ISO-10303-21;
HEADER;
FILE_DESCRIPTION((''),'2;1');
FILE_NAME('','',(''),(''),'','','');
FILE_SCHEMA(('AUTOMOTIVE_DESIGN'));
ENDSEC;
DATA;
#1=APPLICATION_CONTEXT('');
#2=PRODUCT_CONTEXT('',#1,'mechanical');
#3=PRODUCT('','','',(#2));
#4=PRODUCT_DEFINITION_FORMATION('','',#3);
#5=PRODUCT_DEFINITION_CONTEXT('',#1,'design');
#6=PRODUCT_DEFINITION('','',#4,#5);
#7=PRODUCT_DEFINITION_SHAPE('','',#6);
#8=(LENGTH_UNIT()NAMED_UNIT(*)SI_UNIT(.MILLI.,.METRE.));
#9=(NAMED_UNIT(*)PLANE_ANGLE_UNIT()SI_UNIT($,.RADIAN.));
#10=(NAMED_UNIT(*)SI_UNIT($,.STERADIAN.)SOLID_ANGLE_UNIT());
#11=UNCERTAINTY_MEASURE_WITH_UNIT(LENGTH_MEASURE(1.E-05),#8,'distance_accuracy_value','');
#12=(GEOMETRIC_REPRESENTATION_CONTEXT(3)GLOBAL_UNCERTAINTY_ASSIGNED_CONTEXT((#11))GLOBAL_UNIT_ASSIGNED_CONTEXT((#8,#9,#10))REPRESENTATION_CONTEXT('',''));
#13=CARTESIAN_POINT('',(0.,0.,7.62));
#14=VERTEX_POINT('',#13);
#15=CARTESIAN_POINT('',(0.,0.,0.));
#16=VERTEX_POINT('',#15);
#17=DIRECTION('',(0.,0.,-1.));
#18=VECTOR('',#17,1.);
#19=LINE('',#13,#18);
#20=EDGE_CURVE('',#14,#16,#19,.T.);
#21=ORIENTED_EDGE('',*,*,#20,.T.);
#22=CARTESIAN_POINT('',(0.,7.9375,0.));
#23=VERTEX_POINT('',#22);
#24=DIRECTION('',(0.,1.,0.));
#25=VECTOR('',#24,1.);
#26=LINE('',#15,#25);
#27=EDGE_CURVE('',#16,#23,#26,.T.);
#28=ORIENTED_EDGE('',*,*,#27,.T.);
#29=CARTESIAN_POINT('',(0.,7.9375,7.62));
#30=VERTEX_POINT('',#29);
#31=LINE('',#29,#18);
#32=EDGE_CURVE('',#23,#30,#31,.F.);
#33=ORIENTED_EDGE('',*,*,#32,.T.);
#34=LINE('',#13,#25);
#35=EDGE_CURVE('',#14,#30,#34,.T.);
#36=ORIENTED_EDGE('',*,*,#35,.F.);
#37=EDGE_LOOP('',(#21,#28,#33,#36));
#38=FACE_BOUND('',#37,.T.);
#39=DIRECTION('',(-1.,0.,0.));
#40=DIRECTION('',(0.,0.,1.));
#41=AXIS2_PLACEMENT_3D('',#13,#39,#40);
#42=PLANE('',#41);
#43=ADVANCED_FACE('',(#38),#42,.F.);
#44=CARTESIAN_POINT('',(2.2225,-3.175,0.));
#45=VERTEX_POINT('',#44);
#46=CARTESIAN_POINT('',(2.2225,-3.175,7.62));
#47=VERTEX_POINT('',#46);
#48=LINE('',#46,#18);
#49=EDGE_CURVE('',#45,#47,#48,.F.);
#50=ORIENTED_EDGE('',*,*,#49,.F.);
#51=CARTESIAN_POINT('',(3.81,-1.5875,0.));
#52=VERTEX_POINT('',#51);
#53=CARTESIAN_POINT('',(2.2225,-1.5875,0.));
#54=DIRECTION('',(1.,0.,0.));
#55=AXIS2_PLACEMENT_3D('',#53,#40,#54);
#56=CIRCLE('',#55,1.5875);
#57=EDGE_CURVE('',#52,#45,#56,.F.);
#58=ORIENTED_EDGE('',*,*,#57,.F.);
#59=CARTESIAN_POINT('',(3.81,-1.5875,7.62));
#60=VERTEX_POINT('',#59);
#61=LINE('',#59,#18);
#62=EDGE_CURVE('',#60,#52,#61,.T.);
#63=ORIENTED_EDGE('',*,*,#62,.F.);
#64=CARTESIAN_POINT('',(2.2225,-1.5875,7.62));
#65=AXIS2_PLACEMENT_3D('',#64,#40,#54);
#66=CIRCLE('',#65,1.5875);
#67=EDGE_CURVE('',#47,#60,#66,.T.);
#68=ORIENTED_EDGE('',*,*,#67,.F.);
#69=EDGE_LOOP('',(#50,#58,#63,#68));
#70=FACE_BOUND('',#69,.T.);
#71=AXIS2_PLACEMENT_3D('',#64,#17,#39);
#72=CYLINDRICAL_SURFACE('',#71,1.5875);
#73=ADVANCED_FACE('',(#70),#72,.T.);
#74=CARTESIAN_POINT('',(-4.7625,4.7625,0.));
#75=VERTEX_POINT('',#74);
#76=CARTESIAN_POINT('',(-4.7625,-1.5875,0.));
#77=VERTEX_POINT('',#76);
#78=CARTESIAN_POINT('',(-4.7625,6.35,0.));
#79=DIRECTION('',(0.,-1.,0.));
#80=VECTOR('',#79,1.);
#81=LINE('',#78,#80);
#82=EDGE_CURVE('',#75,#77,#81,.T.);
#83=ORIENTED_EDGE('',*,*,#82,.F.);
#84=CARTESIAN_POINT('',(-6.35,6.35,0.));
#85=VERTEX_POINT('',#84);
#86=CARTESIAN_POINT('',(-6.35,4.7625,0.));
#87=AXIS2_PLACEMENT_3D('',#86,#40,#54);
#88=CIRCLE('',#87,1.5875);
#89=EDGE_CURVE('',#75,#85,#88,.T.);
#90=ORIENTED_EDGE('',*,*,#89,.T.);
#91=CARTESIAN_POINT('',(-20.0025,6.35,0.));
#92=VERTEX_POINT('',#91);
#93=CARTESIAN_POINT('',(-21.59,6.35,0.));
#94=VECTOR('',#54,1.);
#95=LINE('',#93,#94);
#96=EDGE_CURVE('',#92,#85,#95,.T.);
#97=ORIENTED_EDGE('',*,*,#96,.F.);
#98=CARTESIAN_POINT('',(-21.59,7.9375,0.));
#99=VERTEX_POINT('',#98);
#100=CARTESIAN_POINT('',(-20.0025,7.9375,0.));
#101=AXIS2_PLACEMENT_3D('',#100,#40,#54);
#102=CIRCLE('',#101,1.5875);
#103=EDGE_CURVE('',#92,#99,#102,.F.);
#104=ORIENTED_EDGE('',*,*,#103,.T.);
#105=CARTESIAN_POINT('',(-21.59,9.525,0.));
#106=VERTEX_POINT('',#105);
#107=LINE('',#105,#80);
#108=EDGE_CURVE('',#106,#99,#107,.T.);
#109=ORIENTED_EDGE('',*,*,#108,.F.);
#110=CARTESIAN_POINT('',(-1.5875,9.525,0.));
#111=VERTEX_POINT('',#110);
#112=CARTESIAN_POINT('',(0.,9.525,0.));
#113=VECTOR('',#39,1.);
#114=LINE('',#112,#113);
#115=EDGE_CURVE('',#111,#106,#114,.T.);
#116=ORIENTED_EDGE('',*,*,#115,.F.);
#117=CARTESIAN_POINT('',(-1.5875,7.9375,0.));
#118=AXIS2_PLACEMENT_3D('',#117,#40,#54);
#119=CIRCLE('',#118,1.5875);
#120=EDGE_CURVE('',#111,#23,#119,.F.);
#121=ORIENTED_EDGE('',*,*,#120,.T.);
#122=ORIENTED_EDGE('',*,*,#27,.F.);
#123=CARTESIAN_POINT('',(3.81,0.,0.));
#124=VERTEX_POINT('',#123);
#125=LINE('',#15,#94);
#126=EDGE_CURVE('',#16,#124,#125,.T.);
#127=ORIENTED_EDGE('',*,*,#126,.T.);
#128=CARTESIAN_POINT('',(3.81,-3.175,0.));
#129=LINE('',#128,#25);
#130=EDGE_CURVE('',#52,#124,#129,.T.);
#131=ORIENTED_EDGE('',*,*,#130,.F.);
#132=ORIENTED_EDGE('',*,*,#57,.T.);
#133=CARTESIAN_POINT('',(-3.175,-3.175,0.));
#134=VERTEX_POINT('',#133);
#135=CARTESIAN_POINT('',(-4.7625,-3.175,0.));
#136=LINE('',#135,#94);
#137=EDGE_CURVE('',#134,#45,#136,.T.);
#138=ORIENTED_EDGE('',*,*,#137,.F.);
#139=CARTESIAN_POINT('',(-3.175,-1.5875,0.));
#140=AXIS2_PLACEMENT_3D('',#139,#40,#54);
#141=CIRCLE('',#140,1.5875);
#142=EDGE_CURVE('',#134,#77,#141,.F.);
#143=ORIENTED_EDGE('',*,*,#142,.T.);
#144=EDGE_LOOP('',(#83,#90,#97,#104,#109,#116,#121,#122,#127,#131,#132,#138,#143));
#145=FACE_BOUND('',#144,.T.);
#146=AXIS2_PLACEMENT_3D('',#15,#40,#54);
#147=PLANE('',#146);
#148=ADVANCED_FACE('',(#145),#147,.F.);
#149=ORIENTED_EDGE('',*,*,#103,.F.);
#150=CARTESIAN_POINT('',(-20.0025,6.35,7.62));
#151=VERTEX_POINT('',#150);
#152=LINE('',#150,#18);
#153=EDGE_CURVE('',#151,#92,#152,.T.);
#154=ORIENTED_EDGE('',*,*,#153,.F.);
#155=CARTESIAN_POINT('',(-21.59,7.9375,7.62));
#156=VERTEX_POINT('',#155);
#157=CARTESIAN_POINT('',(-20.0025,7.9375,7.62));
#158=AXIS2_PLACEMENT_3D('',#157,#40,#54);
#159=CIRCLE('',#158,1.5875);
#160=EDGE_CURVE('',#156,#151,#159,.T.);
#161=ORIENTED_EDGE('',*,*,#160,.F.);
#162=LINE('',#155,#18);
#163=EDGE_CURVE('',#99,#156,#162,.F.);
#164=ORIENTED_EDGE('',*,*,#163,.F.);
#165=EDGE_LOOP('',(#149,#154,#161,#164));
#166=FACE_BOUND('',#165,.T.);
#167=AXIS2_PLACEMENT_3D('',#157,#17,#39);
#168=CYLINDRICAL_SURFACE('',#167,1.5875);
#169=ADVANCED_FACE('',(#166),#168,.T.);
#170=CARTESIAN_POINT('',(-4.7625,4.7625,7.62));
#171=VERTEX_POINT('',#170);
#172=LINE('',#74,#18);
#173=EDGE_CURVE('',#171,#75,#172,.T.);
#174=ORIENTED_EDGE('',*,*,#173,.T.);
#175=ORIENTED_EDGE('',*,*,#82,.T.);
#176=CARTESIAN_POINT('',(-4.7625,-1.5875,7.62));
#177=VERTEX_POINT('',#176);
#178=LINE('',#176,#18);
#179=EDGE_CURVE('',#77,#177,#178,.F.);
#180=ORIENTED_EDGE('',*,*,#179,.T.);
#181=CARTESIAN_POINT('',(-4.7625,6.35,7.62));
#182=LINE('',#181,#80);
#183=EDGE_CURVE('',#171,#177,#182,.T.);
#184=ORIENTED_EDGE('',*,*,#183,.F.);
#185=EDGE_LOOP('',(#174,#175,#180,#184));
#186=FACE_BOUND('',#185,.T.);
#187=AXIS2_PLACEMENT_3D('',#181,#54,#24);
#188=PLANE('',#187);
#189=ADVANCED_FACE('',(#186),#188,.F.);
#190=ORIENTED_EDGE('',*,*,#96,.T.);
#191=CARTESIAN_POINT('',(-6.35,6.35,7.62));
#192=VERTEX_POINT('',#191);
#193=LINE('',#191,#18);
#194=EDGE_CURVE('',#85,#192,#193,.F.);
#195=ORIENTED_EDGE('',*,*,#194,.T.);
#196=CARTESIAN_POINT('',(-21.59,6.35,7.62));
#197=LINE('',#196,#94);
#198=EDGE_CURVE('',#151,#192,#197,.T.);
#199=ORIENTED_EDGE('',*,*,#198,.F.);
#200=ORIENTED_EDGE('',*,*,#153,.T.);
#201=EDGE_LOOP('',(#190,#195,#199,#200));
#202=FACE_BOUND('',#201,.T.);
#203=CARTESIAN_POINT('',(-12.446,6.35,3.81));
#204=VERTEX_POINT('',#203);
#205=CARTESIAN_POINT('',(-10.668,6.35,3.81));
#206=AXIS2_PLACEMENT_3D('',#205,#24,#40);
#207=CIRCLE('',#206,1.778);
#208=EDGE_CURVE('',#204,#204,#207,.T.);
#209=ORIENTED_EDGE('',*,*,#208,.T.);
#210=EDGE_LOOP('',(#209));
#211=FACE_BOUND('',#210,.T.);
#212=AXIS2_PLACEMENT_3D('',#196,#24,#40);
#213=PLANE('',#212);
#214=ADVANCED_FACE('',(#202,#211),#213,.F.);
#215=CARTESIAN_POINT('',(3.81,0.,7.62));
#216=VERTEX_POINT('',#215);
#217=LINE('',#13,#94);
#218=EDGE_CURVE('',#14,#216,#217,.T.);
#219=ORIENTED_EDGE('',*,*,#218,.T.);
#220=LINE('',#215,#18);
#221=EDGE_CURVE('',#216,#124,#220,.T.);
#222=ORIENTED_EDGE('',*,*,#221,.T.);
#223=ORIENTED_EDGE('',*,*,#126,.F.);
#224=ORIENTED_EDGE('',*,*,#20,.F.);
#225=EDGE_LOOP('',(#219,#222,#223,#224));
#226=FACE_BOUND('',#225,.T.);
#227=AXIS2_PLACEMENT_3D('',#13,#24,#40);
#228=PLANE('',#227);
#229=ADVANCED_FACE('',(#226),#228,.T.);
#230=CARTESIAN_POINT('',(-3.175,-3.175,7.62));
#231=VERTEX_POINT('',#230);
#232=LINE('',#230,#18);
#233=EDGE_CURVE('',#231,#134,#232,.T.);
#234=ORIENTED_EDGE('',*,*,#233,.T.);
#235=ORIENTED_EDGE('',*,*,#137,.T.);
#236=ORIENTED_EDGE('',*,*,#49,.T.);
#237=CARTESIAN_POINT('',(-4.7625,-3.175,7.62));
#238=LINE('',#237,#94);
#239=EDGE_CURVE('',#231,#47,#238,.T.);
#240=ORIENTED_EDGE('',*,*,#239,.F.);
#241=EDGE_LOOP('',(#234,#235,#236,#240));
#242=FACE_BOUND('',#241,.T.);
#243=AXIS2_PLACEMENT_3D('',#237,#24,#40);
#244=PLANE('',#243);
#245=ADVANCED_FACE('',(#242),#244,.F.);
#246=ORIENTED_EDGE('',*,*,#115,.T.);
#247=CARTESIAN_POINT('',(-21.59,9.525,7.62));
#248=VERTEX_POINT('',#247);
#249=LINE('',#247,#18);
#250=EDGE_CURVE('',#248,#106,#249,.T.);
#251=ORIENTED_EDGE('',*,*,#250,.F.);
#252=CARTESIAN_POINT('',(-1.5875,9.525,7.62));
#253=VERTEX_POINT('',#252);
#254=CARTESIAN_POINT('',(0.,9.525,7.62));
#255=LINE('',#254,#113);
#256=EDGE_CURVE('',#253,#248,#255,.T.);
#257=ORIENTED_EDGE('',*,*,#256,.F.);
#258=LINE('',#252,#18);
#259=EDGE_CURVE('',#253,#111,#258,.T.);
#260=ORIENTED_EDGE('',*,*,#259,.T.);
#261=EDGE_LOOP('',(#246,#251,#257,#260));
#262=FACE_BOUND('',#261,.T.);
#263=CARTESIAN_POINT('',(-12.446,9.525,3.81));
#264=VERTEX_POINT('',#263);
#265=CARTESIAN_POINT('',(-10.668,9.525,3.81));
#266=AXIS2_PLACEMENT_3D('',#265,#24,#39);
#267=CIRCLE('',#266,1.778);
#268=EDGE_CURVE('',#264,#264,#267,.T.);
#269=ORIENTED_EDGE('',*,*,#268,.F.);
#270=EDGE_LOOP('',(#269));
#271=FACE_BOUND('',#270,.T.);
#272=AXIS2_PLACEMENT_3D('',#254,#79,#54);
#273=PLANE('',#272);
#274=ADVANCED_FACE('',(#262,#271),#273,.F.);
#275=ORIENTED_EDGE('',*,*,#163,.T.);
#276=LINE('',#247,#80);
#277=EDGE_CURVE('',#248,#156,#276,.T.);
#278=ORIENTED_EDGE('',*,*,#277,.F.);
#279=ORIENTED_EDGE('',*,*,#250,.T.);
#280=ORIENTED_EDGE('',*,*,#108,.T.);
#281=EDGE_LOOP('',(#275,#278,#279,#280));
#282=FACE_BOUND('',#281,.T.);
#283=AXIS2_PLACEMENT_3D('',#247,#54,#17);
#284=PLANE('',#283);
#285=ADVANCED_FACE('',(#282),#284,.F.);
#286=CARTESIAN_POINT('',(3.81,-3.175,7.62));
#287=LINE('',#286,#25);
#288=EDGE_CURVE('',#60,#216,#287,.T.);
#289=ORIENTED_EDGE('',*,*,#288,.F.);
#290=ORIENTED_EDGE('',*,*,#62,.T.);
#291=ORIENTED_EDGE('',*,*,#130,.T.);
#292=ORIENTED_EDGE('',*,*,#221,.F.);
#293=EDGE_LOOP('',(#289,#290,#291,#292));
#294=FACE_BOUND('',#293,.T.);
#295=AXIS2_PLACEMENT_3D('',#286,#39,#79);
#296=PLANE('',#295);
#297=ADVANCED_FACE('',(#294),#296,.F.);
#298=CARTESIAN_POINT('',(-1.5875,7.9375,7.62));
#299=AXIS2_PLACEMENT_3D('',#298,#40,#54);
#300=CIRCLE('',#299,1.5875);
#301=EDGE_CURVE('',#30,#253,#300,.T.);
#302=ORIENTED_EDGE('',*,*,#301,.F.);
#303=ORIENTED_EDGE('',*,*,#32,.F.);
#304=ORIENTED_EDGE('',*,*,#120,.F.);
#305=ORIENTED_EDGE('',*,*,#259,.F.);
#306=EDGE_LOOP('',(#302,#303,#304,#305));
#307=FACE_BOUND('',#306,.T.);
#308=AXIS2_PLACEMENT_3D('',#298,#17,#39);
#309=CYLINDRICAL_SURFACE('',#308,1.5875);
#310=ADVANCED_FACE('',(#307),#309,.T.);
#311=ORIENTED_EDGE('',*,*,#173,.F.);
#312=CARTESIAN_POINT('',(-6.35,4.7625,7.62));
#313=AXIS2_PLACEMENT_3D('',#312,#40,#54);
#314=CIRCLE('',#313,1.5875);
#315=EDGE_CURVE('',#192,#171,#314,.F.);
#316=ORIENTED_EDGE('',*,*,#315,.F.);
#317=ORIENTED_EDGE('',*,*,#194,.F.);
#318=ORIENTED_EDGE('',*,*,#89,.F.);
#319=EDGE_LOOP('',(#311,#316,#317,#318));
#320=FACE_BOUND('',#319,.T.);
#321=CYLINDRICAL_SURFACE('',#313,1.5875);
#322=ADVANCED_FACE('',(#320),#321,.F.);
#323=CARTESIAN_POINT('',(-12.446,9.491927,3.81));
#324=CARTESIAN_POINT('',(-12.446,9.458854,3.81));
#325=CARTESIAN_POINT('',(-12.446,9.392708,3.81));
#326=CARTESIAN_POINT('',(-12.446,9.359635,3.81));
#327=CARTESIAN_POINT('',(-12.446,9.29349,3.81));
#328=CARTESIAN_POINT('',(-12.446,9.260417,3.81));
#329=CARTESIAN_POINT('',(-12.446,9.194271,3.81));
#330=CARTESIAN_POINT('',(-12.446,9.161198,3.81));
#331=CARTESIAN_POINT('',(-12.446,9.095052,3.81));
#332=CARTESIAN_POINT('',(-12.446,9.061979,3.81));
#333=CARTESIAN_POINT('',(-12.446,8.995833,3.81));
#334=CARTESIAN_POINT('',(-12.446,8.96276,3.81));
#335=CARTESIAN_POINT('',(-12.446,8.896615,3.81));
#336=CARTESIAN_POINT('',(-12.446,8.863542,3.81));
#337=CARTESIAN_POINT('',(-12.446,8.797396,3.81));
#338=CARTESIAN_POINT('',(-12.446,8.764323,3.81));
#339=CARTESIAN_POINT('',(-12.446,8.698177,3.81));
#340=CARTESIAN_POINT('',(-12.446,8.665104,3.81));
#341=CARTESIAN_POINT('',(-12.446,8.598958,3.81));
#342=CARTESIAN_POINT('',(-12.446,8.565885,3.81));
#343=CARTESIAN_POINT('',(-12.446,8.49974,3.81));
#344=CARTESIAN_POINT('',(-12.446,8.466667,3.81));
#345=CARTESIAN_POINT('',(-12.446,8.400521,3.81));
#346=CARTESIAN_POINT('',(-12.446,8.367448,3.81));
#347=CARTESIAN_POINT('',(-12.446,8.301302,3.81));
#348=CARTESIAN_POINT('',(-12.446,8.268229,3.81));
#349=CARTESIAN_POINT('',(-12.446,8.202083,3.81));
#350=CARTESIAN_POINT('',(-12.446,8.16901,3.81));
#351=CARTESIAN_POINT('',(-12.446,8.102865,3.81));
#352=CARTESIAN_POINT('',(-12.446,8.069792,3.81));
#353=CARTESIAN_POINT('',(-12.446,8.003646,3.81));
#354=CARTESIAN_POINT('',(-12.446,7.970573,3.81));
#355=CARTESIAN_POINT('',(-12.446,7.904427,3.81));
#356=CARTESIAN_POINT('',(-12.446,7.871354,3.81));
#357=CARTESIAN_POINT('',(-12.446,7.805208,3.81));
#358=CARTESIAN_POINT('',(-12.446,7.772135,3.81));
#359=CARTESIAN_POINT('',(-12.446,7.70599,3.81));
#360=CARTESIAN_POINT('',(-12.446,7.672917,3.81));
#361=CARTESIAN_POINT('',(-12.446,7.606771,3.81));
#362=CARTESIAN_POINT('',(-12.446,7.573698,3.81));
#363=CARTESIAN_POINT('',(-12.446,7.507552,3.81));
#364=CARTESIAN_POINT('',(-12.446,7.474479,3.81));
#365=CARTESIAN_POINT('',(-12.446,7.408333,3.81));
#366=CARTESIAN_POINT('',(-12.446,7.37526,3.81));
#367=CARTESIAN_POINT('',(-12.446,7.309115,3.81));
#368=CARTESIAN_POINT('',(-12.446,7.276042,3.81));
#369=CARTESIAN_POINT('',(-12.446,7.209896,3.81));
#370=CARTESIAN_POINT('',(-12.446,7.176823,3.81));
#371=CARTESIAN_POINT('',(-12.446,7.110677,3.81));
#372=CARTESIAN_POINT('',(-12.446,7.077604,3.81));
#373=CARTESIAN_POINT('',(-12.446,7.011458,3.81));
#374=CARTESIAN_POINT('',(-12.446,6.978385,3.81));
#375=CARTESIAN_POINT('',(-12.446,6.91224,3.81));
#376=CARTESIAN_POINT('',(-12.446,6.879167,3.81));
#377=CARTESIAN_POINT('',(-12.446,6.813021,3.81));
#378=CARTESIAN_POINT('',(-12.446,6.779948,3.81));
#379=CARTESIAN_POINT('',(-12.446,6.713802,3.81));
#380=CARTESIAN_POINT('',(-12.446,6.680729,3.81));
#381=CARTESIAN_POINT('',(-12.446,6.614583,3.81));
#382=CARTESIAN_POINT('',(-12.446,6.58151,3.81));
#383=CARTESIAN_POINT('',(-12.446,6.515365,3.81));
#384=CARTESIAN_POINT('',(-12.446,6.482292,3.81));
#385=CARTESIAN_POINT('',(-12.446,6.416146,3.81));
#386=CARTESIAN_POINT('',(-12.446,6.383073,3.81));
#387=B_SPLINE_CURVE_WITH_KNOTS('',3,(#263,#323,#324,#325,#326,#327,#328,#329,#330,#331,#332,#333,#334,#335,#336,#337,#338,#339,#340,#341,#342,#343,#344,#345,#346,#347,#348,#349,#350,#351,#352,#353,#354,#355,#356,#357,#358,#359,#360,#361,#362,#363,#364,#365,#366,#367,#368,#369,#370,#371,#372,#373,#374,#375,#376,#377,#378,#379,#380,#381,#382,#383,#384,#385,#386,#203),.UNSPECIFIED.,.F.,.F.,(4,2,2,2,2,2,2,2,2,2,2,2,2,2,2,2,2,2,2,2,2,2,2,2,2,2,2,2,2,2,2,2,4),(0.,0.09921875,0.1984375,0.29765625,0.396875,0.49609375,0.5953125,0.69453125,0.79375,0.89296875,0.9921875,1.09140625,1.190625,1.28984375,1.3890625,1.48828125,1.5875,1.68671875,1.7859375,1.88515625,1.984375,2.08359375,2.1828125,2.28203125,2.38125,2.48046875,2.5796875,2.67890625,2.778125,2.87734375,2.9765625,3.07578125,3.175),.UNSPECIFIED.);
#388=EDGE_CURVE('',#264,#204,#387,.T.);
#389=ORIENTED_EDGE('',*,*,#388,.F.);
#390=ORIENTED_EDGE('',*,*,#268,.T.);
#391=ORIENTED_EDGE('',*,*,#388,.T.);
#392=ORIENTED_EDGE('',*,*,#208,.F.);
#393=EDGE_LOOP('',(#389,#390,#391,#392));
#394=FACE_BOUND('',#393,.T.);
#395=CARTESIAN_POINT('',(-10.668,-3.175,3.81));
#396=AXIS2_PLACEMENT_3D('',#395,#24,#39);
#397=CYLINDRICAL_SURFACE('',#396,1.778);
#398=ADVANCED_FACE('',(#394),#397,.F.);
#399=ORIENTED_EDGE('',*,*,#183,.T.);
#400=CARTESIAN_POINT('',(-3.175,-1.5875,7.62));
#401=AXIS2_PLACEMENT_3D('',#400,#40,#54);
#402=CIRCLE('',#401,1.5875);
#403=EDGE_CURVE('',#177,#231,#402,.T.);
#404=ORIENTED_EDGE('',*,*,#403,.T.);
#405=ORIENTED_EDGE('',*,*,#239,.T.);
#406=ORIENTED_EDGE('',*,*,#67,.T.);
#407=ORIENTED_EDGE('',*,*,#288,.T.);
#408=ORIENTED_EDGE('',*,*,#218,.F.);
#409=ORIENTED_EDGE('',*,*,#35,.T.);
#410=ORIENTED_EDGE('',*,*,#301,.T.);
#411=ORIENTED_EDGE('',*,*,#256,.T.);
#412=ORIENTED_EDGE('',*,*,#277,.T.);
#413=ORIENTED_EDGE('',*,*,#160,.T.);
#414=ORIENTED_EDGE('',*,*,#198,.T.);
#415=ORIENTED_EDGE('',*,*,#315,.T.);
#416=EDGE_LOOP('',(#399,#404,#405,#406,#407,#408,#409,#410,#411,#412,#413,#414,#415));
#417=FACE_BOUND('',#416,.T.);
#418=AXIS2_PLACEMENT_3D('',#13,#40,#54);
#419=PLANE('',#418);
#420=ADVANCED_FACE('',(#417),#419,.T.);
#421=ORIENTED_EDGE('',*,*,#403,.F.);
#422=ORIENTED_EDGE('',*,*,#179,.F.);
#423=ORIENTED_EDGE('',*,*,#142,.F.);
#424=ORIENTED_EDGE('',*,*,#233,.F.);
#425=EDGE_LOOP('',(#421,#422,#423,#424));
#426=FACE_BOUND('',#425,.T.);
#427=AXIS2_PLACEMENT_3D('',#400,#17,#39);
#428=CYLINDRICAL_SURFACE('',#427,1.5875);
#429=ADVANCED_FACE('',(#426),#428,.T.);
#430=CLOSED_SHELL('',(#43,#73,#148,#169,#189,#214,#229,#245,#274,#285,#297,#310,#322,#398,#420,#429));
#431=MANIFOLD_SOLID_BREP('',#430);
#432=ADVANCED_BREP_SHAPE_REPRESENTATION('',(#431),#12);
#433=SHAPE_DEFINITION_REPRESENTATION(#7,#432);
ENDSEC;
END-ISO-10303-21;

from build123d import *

# Parameters (mm, degrees)
BOSS_EXTRUDE1_DEPTH = 7.62
SKETCH2_R           = 1.778
CUT_EXTRUDE1_DEPTH  = 27.181720723
FILLET1_R           = 1.5875


with BuildPart() as part:
    # Sketch1 → Boss-Extrude1 (new body)
    with BuildSketch(Plane.XY):
        Polygon((0, 0), (0, 9.525), (-21.59, 9.525), (-21.59, 6.35), (-4.7625, 6.35), (-4.7625, -3.175), (3.81, -3.175), (3.81, 0), align=None)
    extrude(amount=BOSS_EXTRUDE1_DEPTH)

    # Sketch2 → Cut-Extrude1 (cut, through all)
    with BuildSketch(Plane(origin=(0, 9.525, 0), x_dir=(1, 0, 0), z_dir=(0, 1, 0))):
        with Locations(Location((-10.668, -3.81, 0), (0, 0, 180))):
            Circle(SKETCH2_R)
    extrude(amount=-CUT_EXTRUDE1_DEPTH, mode=Mode.SUBTRACT)

    # Fillet1
    fillet1_edges = [part.edges().sort_by_distance(p)[0] for p in [
        (-4.7625, -3.175, 3.81),
        (-4.7625, 6.35, 3.81),
        (-21.59, 6.35, 3.81),
        (0, 9.525, 3.81),
        (3.81, -3.175, 3.81),
    ]]
    fillet(fillet1_edges, radius=FILLET1_R)


solid = part.part
